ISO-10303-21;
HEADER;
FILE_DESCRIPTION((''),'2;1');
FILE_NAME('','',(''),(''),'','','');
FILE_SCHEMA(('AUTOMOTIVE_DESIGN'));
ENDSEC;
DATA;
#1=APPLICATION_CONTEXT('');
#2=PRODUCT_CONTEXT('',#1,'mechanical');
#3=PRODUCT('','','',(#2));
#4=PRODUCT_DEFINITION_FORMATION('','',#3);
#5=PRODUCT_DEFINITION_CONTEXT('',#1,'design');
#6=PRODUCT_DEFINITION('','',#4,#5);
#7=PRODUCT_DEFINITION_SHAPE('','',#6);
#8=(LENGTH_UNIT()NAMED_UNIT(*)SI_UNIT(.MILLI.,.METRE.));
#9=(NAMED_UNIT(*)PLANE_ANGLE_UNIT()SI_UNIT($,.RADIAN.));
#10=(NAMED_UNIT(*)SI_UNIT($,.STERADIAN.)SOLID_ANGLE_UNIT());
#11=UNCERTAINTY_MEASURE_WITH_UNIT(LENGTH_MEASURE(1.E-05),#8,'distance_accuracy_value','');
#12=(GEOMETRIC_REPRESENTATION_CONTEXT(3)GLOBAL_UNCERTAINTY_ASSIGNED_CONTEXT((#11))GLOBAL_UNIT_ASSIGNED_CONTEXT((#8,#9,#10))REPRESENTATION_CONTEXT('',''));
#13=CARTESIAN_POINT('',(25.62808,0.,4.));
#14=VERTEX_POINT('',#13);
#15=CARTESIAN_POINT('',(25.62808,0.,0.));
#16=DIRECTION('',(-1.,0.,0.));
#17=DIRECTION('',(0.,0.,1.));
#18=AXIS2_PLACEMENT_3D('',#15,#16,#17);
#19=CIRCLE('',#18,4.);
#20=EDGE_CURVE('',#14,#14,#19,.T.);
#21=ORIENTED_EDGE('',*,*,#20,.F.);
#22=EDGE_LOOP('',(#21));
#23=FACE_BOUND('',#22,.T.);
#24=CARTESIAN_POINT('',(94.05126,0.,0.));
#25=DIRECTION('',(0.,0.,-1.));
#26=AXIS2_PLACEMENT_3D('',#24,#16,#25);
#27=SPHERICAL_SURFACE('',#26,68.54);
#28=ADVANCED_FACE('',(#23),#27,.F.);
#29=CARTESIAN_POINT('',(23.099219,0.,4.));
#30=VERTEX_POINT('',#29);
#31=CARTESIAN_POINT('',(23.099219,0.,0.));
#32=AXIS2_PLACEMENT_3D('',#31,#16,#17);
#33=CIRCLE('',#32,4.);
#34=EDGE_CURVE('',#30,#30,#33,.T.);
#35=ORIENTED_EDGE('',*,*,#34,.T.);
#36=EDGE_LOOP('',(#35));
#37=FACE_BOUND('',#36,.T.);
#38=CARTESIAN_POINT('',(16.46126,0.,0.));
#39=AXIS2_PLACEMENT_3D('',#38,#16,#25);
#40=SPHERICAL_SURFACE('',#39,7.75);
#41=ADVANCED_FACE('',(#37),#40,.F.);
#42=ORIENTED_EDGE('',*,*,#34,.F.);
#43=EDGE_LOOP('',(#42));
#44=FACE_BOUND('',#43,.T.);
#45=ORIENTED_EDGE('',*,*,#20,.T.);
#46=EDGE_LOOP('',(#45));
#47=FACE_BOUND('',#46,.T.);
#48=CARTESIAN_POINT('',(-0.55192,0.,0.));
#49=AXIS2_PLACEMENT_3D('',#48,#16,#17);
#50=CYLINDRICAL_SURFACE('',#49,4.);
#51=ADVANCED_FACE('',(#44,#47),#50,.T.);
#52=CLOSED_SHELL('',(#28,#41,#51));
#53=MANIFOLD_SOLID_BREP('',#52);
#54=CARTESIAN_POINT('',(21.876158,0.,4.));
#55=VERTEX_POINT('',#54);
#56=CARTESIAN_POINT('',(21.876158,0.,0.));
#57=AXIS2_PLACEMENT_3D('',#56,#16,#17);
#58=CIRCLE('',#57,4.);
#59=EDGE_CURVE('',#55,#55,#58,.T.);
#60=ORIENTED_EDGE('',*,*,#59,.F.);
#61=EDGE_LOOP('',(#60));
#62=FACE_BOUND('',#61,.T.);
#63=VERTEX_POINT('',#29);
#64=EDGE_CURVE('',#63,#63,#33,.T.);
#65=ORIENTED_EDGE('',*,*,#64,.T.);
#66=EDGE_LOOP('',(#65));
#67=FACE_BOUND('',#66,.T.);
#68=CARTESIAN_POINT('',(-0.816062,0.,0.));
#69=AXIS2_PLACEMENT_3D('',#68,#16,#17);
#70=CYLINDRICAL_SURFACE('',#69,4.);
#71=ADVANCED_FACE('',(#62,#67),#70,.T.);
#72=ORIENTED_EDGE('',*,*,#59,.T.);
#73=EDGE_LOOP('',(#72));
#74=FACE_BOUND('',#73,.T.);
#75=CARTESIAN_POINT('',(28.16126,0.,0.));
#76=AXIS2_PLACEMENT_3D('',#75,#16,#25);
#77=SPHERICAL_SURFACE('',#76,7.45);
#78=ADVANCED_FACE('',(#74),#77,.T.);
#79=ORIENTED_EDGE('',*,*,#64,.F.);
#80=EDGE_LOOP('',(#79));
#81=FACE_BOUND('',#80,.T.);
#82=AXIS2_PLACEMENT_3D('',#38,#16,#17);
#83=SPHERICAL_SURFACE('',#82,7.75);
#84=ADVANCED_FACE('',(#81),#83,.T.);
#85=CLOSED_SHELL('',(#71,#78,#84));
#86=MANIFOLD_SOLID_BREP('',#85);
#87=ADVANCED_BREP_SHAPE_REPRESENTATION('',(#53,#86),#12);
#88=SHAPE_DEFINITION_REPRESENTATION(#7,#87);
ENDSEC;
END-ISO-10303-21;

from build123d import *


with BuildPart() as part:
    # 草图1 one side → 旋转1 (revolve)
    with BuildSketch(Plane(origin=(0, 0, 0), x_dir=(1, 0, 0), z_dir=(0, 1, 0)), mode=Mode.PRIVATE) as revolve_1_sk:
        with BuildLine():
            ThreePointArc((21.876158472, 4), (21.008410623, 2.083085973), (20.711259903, 0))
            Line((20.711259903, 0), (24.211259903, 0))
            ThreePointArc((24.211259903, 0), (23.928075906, 2.075851339), (23.099218927, 4))
            Line((23.099218927, 4), (21.876158472, 4))
        make_face()
    revolve(revolve_1_sk.sketch.rotate(Axis((-0.816062176, 0, 0), (1, 0, 0)), 180), axis=Axis((-0.816062176, 0, 0), (1, 0, 0)))  # turned: the seam where the file's is


with BuildPart() as body_2:
    # 草图2 one side → 旋转2 (revolve)
    with BuildSketch(Plane(origin=(0, 0, 0), x_dir=(1, 0, 0), z_dir=(0, 1, 0))):
        with BuildLine():
            Line((25.62807962, 4), (23.099218927, 4))
            ThreePointArc((23.099218927, 4), (23.928075906, 2.075851339), (24.211259903, 0))
            Line((24.211259903, 0), (25.511259903, 0))
            ThreePointArc((25.511259903, 0), (25.540471057, 2.000852746), (25.62807962, 4))
        make_face()
    revolve(axis=Axis((-0.551919993, 0, 0), (1, 0, 0)))


solid = Compound([part.part, body_2.part])
